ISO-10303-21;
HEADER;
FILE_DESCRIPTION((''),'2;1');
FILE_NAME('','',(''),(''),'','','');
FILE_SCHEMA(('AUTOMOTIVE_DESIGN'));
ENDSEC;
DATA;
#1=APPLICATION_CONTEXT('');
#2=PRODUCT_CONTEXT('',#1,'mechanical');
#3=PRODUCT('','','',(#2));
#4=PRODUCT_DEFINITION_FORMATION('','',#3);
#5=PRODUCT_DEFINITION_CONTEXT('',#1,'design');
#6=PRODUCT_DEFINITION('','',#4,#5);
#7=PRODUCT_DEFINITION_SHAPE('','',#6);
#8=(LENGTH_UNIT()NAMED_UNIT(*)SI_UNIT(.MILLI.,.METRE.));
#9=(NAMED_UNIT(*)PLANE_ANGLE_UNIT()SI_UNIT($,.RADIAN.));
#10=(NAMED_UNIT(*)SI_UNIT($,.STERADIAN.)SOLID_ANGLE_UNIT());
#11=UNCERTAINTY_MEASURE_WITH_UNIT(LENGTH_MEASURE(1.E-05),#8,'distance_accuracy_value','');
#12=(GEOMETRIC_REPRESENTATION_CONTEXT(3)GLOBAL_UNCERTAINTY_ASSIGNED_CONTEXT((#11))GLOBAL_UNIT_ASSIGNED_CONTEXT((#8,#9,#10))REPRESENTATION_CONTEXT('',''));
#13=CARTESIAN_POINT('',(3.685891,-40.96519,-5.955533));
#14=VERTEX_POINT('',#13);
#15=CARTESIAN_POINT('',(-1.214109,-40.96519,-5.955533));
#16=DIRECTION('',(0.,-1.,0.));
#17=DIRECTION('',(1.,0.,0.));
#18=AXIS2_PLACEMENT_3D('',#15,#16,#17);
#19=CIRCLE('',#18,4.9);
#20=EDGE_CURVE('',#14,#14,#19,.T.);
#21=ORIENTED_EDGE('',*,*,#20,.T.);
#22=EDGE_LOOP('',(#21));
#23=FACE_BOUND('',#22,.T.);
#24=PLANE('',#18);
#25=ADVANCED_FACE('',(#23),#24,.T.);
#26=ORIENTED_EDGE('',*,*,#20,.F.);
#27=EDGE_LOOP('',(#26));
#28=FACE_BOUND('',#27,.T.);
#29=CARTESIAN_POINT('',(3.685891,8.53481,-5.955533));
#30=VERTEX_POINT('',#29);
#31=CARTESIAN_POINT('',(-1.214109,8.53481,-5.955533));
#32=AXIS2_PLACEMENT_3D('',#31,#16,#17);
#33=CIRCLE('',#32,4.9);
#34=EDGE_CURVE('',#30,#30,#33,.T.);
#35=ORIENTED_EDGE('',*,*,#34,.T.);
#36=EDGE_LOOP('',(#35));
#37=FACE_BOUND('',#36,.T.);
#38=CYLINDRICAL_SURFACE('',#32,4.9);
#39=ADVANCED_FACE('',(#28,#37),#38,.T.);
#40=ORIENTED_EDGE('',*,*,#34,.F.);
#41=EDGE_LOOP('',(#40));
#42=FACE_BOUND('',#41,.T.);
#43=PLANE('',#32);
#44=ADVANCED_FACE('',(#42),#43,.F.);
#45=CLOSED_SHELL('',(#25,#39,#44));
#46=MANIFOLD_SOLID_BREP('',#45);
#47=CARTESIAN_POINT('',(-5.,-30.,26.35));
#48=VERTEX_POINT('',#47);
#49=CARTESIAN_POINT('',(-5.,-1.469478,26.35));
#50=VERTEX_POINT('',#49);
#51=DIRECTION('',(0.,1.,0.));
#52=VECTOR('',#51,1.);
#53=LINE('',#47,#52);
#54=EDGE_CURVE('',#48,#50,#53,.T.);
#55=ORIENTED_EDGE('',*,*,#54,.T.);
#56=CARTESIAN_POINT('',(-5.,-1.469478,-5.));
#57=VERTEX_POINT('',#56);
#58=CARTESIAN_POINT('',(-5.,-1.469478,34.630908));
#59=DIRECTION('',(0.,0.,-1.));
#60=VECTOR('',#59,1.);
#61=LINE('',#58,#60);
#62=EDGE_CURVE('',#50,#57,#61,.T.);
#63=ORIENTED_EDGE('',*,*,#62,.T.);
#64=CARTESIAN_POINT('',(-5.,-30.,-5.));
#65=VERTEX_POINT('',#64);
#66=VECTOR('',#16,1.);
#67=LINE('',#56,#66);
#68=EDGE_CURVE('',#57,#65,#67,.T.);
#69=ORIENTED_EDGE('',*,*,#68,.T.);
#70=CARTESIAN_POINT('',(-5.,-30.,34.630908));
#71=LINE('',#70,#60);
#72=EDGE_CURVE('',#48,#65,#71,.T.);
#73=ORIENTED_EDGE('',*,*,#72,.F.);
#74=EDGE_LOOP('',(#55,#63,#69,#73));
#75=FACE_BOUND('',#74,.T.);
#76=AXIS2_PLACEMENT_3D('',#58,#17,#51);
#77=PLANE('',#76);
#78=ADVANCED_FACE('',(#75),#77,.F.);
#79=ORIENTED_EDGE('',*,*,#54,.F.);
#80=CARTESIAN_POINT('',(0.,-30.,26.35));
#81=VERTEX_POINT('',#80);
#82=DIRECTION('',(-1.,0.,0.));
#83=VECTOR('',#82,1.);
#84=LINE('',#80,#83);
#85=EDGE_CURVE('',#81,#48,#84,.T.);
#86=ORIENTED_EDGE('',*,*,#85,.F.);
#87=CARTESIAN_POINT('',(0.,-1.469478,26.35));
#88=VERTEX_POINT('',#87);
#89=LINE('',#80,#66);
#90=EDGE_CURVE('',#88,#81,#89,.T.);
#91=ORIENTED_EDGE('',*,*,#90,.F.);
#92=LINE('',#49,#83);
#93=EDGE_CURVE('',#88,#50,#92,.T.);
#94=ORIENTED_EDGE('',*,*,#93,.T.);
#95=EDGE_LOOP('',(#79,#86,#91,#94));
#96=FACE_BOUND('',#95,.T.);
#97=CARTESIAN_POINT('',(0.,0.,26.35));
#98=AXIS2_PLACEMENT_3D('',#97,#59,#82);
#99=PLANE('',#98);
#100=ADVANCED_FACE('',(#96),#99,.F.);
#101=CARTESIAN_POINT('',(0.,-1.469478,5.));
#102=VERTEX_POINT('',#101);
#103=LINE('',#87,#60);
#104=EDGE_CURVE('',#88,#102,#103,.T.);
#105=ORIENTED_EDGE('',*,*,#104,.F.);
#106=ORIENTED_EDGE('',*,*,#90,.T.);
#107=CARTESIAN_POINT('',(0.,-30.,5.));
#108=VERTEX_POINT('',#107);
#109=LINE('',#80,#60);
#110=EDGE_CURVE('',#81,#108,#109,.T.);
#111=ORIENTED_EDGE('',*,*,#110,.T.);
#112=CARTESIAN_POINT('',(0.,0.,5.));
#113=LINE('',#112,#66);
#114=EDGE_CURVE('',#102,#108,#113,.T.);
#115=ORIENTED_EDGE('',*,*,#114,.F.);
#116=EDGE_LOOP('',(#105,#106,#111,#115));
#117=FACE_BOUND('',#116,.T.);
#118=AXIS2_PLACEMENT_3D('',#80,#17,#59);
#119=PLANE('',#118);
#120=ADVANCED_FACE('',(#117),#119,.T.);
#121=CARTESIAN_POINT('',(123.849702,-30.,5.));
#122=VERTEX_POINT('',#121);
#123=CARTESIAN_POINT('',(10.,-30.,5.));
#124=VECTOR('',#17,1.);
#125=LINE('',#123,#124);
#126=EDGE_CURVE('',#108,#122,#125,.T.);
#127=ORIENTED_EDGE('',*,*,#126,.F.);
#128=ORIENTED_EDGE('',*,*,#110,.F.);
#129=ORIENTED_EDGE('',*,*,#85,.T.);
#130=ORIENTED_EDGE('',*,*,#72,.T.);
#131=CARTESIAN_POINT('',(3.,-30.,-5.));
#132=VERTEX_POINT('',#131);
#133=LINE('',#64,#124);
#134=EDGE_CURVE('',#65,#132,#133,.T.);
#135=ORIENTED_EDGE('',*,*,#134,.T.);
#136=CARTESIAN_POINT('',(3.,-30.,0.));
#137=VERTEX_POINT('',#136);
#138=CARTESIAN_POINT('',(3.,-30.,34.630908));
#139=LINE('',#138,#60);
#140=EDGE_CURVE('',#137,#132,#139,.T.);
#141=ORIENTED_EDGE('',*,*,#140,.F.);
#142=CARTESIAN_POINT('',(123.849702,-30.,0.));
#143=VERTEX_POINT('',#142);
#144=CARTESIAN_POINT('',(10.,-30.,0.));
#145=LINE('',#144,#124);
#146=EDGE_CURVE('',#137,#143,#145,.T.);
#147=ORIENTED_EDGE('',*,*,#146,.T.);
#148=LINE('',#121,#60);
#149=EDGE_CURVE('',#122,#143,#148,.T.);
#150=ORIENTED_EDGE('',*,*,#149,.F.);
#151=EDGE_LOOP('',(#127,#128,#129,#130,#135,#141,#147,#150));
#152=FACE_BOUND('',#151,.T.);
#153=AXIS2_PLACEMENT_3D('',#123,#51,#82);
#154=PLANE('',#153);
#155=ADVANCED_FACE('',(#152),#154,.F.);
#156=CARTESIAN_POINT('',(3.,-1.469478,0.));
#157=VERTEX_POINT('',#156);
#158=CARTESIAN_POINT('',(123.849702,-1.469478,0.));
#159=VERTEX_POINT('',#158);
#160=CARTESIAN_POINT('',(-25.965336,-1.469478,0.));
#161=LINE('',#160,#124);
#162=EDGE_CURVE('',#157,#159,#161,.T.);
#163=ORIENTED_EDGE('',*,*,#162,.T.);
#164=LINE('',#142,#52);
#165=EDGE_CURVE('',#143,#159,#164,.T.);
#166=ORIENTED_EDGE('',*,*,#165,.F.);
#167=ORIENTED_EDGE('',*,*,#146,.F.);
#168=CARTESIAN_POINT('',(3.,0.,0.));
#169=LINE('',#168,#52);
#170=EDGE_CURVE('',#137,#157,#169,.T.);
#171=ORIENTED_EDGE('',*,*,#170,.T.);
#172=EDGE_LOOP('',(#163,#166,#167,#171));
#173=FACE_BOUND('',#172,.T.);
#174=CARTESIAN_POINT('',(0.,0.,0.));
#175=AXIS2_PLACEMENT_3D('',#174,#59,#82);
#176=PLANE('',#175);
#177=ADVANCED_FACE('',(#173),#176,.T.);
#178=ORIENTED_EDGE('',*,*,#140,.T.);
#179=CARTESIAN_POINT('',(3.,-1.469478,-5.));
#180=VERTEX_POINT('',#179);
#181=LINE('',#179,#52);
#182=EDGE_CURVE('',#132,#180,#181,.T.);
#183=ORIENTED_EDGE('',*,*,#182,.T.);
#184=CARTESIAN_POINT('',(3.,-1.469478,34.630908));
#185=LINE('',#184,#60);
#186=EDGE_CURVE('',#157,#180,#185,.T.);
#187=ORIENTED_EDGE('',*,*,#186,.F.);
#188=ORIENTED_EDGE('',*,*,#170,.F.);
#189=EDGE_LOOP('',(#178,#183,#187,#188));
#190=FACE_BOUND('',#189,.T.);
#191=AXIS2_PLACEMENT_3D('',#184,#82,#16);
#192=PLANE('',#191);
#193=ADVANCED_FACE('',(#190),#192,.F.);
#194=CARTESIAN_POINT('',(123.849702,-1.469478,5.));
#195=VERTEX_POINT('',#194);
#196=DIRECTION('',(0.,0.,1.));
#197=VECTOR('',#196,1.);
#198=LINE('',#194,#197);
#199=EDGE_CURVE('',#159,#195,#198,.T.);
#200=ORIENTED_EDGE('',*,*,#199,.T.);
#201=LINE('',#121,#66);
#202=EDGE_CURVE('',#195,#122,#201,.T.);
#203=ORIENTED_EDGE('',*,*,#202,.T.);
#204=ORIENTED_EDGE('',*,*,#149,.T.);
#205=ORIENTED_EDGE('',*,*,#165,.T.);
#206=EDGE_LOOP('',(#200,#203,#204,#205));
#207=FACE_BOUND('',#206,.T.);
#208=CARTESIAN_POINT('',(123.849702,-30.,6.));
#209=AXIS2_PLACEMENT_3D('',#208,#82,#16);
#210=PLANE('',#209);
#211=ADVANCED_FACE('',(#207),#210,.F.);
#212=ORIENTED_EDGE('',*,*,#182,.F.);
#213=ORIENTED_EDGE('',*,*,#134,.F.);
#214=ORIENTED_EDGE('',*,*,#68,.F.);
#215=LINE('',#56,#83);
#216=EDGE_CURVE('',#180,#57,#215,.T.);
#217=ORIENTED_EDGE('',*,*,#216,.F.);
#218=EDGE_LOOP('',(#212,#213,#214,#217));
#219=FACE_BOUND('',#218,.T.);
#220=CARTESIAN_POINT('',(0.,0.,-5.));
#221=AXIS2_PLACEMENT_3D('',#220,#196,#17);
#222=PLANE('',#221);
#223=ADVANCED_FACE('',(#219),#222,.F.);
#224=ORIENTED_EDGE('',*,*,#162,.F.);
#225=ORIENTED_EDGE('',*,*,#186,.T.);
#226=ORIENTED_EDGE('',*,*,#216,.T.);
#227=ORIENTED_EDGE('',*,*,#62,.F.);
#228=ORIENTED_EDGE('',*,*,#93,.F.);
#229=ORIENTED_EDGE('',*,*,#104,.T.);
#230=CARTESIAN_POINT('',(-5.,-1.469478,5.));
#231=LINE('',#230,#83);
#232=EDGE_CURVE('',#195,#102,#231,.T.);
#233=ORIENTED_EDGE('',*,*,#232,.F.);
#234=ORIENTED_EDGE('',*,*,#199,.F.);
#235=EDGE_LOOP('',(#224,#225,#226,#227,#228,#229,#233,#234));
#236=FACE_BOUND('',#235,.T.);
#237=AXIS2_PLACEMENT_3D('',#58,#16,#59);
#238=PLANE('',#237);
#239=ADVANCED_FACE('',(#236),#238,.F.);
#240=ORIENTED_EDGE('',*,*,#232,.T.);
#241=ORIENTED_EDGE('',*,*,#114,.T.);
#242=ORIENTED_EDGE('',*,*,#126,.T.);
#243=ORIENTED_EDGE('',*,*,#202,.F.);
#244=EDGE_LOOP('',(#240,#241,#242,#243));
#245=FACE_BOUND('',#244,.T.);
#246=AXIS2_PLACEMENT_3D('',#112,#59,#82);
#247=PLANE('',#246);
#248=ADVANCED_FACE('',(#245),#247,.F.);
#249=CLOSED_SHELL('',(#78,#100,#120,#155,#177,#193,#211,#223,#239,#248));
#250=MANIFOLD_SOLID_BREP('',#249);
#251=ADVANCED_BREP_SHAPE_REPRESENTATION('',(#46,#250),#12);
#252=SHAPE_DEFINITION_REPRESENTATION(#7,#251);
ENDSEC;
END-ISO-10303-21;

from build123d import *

# Parameters (mm, degrees)
SKETCH1_W                = 10
SKETCH1_H                = 28.53
BOSS_EXTRUDE1_DEPTH      = 5
SKETCH2_R                = 1.6
CUT_EXTRUDE2_DEPTH       = 43
SKETCH4_W                = 8
SKETCH4_H                = 28.530522497
BOSS_EXTRUDE2_DEPTH      = 5
BOSS_EXTRUDE2_DEPTH_BACK = 5
BOSS_EXTRUDE4_START      = -53
SKETCH6_W                = 5
SKETCH6_H                = 28.530522497
BOSS_EXTRUDE4_DEPTH      = 120.849702
SKETCH7_W                = 5
SKETCH7_H                = 28.530522497
BOSS_EXTRUDE5_DEPTH      = 26.35
SKETCH8_W                = 5
SKETCH8_H                = 7
BOSS_EXTRUDE6_DEPTH      = 21.504288
SKETCH9_W                = 5
SKETCH9_H                = 21.35
CUT_EXTRUDE3_DEPTH       = 22.504288
SKETCH10_R               = 4.9
BOSS_EXTRUDE7_DEPTH      = 49.5


with BuildPart() as part:
    # Sketch1 → Boss-Extrude1 (new body)
    with BuildSketch(Plane.XY):
        with Locations((5, -15.735)):
            Rectangle(SKETCH1_W, SKETCH1_H)
    extrude(amount=BOSS_EXTRUDE1_DEPTH)

    # Sketch2 → Cut-Extrude2 (cut)
    with BuildSketch(Plane(origin=(0, 0, 0), x_dir=(-1, 0, 0), z_dir=(0, 0, -1))):
        with Locations((-6.810310374, -9.47)):
            Circle(SKETCH2_R)
        with Locations((-6.810310374, -22)):
            Circle(SKETCH2_R)
    extrude(amount=-CUT_EXTRUDE2_DEPTH, mode=Mode.SUBTRACT)

    # Sketch4 → Boss-Extrude2 (add, two sides)
    with BuildSketch(Plane.XY) as boss_extrude2_sk:
        with Locations((-1, -15.734738752)):
            Rectangle(SKETCH4_W, SKETCH4_H)
    extrude(amount=BOSS_EXTRUDE2_DEPTH)
    extrude(boss_extrude2_sk.sketch, amount=-BOSS_EXTRUDE2_DEPTH_BACK)

    # Sketch6 → Boss-Extrude4 (add)
    with BuildSketch(Plane.ZY.offset(-70.84970239).offset(BOSS_EXTRUDE4_START)):
        with Locations((2.5, -15.734738752)):
            Rectangle(SKETCH6_W, SKETCH6_H)
    extrude(amount=BOSS_EXTRUDE4_DEPTH)

    # Sketch7 → Boss-Extrude5 (add)
    with BuildSketch(Plane(origin=(0, 0, 0), x_dir=(-1, 0, 0), z_dir=(0, 0, -1))):
        with Locations((2.5, -15.734738752)):
            Rectangle(SKETCH7_W, SKETCH7_H)
    extrude(amount=-BOSS_EXTRUDE5_DEPTH)

    # Sketch8 → Boss-Extrude6 (add)
    with BuildSketch(Plane(origin=(0, -1.469477503, 0), x_dir=(1, 0, 0), z_dir=(0, 1, 0))):
        with Locations((-2.5, -22.85)):
            Rectangle(SKETCH8_W, SKETCH8_H)
    extrude(amount=BOSS_EXTRUDE6_DEPTH)

    # Sketch9 → Cut-Extrude3 (cut, through all)
    with BuildSketch(Plane.XZ.offset(1.469477503)):
        with Locations((-2.5, 15.675)):
            Rectangle(SKETCH9_W, SKETCH9_H)
    extrude(amount=-CUT_EXTRUDE3_DEPTH, mode=Mode.SUBTRACT)


with BuildPart() as body_2:
    # Sketch10 → Boss-Extrude7 (new body)
    with BuildSketch(Plane.XZ.offset(40.965189842)):
        with Locations((-1.214108885, -5.955533219)):
            Circle(SKETCH10_R)
    extrude(amount=-BOSS_EXTRUDE7_DEPTH)


solid = Compound([part.part, body_2.part])
